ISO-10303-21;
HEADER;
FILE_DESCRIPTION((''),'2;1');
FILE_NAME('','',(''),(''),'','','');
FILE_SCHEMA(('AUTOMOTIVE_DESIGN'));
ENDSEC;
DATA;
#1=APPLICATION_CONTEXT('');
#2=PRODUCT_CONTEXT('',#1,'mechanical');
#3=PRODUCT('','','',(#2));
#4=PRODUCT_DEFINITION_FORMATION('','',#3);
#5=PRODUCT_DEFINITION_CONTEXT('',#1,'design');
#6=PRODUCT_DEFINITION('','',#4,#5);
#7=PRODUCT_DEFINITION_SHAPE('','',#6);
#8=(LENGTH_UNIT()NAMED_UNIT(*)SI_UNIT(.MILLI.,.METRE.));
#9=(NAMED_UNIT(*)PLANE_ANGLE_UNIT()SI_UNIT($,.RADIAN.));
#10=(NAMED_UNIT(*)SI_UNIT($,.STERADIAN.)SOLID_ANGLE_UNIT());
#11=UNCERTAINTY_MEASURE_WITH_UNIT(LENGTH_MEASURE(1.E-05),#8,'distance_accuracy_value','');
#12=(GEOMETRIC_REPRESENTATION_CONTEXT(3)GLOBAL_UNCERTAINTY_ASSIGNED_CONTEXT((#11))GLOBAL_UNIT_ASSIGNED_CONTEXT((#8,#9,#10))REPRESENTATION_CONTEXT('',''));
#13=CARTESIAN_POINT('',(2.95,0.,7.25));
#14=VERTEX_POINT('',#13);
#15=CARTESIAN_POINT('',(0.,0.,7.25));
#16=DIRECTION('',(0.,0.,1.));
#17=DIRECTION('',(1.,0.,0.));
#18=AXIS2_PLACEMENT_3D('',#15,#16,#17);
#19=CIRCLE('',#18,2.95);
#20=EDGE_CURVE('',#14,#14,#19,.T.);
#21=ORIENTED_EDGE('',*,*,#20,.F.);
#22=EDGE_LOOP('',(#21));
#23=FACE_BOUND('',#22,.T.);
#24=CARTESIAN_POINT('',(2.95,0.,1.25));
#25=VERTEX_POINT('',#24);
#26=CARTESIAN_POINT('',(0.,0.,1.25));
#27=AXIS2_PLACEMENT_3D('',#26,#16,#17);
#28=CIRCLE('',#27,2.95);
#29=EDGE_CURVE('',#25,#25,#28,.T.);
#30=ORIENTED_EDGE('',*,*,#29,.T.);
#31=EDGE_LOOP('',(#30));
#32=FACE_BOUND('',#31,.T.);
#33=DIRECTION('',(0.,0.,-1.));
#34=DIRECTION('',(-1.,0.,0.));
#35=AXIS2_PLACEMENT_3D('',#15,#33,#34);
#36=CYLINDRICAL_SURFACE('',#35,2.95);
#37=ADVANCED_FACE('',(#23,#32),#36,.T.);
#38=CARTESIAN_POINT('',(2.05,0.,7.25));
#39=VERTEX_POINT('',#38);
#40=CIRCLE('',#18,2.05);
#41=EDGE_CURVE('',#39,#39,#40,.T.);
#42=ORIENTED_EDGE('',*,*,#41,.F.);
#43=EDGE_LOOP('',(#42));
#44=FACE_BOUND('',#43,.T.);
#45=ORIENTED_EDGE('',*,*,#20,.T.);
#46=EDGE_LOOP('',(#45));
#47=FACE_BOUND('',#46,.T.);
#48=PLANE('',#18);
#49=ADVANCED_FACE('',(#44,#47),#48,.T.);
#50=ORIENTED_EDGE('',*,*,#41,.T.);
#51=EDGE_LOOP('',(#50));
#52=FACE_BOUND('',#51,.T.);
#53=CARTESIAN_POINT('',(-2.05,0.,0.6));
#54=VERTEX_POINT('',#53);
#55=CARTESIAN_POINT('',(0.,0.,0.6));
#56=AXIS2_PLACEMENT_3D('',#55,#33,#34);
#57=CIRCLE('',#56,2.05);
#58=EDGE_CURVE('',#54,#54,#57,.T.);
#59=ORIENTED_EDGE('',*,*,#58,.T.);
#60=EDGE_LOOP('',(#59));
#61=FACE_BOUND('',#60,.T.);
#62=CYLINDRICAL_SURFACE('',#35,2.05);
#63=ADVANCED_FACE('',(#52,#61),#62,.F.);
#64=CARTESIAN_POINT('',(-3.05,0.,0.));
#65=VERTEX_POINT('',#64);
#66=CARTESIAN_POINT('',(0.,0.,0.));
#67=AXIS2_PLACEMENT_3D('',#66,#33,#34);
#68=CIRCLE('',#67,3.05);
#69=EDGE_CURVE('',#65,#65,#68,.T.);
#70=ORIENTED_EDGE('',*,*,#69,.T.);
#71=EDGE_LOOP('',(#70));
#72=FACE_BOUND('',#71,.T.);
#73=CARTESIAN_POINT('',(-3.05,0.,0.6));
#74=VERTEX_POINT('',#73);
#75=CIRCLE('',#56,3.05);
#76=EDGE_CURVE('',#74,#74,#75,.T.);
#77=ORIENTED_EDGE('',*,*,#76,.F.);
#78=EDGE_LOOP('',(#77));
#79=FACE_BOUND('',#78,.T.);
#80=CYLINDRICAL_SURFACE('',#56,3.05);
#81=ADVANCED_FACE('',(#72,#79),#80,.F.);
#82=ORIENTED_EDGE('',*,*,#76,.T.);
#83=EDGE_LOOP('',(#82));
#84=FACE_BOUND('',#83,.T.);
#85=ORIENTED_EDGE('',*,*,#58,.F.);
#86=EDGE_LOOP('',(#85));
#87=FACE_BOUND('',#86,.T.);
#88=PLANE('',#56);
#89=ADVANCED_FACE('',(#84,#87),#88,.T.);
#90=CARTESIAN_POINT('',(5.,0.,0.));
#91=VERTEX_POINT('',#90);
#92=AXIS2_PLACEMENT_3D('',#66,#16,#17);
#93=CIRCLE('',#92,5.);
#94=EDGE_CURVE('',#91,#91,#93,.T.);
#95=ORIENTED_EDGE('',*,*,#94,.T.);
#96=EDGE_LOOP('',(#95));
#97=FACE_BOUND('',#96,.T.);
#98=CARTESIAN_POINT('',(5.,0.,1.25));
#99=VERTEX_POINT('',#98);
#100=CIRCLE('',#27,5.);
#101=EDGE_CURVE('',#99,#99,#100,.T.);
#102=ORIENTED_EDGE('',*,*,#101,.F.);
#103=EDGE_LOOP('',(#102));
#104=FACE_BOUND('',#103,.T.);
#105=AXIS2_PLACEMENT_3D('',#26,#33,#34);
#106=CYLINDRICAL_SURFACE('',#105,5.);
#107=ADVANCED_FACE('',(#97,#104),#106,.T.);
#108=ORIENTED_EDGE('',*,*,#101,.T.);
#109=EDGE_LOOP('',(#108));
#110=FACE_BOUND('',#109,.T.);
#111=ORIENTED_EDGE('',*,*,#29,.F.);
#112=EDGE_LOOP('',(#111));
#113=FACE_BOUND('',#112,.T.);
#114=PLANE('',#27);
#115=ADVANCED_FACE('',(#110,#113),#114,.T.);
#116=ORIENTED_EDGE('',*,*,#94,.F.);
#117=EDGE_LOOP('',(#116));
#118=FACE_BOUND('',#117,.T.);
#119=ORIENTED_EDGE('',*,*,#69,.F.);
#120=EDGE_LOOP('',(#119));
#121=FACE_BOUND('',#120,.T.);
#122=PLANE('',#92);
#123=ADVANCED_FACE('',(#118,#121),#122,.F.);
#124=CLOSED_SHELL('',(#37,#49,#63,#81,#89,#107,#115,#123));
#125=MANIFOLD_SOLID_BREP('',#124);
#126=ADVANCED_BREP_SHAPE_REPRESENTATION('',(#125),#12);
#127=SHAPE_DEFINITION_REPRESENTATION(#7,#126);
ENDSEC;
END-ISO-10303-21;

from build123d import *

# Parameters (mm, degrees)
SKETCH1_R           = 5
BOSS_EXTRUDE1_DEPTH = 1.25
SKETCH2_R           = 2.95
SKETCH2_R_2         = 2.05
BOSS_EXTRUDE2_DEPTH = 6
SKETCH4_R           = 2.05
CUT_EXTRUDE3_DEPTH  = 2.25
SKETCH5_R           = 3.05
CUT_EXTRUDE4_DEPTH  = 0.6


with BuildPart() as part:
    # Sketch1 → Boss-Extrude1 (new body)
    with BuildSketch(Plane.XY):
        Circle(SKETCH1_R)
    extrude(amount=BOSS_EXTRUDE1_DEPTH)

    # Sketch2 → Boss-Extrude2 (add)
    with BuildSketch(Plane.XY.offset(1.25)):
        Circle(SKETCH2_R)
        Circle(SKETCH2_R_2, mode=Mode.SUBTRACT)
    extrude(amount=BOSS_EXTRUDE2_DEPTH)

    # Sketch4 → Cut-Extrude3 (cut, through all)
    with BuildSketch(Plane.XY.offset(1.25)):
        Circle(SKETCH4_R)
    extrude(amount=-CUT_EXTRUDE3_DEPTH, mode=Mode.SUBTRACT)

    # Sketch5 → Cut-Extrude4 (cut)
    with BuildSketch(Plane(origin=(0, 0, 0), x_dir=(-1, 0, 0), z_dir=(0, 0, -1))):
        Circle(SKETCH5_R)
    extrude(amount=-CUT_EXTRUDE4_DEPTH, mode=Mode.SUBTRACT)


solid = part.part
